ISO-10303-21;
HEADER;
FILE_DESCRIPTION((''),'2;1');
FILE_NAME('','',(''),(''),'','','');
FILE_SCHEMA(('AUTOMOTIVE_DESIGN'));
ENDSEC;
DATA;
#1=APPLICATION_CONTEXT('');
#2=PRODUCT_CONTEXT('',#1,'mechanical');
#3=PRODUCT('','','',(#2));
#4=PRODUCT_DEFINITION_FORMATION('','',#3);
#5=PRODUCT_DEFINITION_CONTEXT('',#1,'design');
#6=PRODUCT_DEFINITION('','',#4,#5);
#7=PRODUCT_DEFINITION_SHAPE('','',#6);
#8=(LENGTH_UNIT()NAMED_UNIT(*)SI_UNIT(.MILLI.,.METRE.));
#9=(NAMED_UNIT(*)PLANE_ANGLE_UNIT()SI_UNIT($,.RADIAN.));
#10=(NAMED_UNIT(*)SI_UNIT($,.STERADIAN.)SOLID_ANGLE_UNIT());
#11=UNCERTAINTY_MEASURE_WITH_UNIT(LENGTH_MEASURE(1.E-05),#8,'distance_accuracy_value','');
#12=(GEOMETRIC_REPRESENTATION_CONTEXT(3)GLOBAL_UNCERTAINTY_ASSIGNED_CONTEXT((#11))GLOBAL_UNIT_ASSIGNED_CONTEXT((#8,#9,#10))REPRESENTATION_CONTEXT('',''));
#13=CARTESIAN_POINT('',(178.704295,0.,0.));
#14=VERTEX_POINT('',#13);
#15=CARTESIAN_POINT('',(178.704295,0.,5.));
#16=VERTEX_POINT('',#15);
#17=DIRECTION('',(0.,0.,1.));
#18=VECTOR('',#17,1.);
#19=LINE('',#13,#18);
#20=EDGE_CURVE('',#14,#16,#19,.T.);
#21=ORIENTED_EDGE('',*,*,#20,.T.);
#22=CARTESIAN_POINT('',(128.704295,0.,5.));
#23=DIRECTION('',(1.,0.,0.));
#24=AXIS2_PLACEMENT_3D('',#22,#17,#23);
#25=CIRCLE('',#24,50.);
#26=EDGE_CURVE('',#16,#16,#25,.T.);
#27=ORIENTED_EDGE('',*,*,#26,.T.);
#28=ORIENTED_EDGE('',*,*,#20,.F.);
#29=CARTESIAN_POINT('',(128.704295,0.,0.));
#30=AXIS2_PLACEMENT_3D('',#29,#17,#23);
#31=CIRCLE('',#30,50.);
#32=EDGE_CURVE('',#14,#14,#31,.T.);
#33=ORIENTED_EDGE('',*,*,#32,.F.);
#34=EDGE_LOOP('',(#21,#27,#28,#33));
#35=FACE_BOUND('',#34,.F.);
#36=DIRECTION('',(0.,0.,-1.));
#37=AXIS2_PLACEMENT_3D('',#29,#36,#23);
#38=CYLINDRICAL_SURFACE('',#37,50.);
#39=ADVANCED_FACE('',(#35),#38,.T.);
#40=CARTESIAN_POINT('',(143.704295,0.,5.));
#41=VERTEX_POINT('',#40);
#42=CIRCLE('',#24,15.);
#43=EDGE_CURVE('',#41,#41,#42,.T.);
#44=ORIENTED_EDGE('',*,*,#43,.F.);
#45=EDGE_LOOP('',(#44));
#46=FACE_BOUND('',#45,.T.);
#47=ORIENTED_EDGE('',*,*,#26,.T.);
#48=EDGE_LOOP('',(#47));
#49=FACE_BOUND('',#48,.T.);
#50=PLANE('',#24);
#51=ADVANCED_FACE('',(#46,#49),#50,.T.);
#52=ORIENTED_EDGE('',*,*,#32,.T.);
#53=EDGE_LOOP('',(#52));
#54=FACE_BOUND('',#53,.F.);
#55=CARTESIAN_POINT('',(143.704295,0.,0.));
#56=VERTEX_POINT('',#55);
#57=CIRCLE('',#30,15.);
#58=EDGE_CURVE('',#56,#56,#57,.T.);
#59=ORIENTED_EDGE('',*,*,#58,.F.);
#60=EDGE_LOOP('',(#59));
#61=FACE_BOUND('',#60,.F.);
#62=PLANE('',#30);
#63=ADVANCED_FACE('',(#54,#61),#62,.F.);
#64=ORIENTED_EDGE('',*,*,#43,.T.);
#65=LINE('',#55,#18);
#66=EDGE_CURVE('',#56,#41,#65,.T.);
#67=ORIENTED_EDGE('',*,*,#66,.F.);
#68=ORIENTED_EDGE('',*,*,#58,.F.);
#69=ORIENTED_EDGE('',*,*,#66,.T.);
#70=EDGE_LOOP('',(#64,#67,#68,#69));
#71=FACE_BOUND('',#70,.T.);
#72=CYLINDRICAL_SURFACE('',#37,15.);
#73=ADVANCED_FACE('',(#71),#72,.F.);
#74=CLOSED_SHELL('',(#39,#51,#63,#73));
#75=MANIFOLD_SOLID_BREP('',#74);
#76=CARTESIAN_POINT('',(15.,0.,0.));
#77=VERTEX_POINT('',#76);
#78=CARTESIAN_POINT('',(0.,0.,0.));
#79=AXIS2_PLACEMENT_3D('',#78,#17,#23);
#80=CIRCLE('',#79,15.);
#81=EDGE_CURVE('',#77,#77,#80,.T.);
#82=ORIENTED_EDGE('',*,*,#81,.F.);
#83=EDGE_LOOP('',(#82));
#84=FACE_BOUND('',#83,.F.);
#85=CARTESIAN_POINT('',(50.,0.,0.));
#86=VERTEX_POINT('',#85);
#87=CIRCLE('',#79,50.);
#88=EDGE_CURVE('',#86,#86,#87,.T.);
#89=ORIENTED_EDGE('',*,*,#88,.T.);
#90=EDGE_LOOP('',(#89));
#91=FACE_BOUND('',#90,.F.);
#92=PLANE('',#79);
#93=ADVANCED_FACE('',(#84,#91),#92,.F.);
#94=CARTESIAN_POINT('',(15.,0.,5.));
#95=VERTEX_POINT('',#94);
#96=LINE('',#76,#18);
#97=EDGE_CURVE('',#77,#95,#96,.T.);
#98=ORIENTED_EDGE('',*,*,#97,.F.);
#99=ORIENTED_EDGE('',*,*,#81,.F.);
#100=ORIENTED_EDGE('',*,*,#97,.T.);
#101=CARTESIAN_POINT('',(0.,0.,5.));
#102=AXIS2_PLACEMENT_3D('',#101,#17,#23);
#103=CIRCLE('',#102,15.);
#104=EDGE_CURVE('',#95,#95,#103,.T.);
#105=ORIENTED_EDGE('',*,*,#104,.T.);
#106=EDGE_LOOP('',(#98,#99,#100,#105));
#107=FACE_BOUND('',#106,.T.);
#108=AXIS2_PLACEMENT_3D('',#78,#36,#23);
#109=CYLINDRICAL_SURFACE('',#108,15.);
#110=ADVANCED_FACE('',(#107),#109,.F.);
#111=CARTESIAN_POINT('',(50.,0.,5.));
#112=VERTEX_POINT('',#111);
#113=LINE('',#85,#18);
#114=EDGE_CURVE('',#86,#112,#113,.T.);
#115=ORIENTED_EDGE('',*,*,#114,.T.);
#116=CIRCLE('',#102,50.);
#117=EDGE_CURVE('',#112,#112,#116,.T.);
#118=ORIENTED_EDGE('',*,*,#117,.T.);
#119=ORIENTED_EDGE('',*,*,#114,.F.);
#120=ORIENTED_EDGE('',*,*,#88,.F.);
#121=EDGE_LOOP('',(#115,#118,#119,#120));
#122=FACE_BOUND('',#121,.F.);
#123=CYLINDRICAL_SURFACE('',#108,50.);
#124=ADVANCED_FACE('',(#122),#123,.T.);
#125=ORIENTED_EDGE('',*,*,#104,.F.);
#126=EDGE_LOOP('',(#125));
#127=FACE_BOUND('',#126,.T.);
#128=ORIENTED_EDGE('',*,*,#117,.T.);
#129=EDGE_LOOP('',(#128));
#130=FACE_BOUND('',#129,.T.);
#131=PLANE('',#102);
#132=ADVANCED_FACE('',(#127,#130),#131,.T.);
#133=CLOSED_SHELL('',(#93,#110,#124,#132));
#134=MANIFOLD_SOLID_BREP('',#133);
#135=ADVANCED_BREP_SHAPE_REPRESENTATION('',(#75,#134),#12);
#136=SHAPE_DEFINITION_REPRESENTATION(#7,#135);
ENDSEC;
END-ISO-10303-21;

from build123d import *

# Parameters (mm, degrees)
F0_R     = 50
F0_R_2   = 15
F1_DEPTH = 5


with BuildPart() as f1:
    # F0 (on Top) → F1 (new body)
    with BuildSketch(Plane.XY):
        Circle(F0_R)
        Circle(F0_R_2, mode=Mode.SUBTRACT)
        with Locations((128.704295, 0)):
            Circle(F0_R)
        with Locations((128.704295, 0)):
            Circle(F0_R_2, mode=Mode.SUBTRACT)
    extrude(amount=F1_DEPTH)


solid = f1.part
